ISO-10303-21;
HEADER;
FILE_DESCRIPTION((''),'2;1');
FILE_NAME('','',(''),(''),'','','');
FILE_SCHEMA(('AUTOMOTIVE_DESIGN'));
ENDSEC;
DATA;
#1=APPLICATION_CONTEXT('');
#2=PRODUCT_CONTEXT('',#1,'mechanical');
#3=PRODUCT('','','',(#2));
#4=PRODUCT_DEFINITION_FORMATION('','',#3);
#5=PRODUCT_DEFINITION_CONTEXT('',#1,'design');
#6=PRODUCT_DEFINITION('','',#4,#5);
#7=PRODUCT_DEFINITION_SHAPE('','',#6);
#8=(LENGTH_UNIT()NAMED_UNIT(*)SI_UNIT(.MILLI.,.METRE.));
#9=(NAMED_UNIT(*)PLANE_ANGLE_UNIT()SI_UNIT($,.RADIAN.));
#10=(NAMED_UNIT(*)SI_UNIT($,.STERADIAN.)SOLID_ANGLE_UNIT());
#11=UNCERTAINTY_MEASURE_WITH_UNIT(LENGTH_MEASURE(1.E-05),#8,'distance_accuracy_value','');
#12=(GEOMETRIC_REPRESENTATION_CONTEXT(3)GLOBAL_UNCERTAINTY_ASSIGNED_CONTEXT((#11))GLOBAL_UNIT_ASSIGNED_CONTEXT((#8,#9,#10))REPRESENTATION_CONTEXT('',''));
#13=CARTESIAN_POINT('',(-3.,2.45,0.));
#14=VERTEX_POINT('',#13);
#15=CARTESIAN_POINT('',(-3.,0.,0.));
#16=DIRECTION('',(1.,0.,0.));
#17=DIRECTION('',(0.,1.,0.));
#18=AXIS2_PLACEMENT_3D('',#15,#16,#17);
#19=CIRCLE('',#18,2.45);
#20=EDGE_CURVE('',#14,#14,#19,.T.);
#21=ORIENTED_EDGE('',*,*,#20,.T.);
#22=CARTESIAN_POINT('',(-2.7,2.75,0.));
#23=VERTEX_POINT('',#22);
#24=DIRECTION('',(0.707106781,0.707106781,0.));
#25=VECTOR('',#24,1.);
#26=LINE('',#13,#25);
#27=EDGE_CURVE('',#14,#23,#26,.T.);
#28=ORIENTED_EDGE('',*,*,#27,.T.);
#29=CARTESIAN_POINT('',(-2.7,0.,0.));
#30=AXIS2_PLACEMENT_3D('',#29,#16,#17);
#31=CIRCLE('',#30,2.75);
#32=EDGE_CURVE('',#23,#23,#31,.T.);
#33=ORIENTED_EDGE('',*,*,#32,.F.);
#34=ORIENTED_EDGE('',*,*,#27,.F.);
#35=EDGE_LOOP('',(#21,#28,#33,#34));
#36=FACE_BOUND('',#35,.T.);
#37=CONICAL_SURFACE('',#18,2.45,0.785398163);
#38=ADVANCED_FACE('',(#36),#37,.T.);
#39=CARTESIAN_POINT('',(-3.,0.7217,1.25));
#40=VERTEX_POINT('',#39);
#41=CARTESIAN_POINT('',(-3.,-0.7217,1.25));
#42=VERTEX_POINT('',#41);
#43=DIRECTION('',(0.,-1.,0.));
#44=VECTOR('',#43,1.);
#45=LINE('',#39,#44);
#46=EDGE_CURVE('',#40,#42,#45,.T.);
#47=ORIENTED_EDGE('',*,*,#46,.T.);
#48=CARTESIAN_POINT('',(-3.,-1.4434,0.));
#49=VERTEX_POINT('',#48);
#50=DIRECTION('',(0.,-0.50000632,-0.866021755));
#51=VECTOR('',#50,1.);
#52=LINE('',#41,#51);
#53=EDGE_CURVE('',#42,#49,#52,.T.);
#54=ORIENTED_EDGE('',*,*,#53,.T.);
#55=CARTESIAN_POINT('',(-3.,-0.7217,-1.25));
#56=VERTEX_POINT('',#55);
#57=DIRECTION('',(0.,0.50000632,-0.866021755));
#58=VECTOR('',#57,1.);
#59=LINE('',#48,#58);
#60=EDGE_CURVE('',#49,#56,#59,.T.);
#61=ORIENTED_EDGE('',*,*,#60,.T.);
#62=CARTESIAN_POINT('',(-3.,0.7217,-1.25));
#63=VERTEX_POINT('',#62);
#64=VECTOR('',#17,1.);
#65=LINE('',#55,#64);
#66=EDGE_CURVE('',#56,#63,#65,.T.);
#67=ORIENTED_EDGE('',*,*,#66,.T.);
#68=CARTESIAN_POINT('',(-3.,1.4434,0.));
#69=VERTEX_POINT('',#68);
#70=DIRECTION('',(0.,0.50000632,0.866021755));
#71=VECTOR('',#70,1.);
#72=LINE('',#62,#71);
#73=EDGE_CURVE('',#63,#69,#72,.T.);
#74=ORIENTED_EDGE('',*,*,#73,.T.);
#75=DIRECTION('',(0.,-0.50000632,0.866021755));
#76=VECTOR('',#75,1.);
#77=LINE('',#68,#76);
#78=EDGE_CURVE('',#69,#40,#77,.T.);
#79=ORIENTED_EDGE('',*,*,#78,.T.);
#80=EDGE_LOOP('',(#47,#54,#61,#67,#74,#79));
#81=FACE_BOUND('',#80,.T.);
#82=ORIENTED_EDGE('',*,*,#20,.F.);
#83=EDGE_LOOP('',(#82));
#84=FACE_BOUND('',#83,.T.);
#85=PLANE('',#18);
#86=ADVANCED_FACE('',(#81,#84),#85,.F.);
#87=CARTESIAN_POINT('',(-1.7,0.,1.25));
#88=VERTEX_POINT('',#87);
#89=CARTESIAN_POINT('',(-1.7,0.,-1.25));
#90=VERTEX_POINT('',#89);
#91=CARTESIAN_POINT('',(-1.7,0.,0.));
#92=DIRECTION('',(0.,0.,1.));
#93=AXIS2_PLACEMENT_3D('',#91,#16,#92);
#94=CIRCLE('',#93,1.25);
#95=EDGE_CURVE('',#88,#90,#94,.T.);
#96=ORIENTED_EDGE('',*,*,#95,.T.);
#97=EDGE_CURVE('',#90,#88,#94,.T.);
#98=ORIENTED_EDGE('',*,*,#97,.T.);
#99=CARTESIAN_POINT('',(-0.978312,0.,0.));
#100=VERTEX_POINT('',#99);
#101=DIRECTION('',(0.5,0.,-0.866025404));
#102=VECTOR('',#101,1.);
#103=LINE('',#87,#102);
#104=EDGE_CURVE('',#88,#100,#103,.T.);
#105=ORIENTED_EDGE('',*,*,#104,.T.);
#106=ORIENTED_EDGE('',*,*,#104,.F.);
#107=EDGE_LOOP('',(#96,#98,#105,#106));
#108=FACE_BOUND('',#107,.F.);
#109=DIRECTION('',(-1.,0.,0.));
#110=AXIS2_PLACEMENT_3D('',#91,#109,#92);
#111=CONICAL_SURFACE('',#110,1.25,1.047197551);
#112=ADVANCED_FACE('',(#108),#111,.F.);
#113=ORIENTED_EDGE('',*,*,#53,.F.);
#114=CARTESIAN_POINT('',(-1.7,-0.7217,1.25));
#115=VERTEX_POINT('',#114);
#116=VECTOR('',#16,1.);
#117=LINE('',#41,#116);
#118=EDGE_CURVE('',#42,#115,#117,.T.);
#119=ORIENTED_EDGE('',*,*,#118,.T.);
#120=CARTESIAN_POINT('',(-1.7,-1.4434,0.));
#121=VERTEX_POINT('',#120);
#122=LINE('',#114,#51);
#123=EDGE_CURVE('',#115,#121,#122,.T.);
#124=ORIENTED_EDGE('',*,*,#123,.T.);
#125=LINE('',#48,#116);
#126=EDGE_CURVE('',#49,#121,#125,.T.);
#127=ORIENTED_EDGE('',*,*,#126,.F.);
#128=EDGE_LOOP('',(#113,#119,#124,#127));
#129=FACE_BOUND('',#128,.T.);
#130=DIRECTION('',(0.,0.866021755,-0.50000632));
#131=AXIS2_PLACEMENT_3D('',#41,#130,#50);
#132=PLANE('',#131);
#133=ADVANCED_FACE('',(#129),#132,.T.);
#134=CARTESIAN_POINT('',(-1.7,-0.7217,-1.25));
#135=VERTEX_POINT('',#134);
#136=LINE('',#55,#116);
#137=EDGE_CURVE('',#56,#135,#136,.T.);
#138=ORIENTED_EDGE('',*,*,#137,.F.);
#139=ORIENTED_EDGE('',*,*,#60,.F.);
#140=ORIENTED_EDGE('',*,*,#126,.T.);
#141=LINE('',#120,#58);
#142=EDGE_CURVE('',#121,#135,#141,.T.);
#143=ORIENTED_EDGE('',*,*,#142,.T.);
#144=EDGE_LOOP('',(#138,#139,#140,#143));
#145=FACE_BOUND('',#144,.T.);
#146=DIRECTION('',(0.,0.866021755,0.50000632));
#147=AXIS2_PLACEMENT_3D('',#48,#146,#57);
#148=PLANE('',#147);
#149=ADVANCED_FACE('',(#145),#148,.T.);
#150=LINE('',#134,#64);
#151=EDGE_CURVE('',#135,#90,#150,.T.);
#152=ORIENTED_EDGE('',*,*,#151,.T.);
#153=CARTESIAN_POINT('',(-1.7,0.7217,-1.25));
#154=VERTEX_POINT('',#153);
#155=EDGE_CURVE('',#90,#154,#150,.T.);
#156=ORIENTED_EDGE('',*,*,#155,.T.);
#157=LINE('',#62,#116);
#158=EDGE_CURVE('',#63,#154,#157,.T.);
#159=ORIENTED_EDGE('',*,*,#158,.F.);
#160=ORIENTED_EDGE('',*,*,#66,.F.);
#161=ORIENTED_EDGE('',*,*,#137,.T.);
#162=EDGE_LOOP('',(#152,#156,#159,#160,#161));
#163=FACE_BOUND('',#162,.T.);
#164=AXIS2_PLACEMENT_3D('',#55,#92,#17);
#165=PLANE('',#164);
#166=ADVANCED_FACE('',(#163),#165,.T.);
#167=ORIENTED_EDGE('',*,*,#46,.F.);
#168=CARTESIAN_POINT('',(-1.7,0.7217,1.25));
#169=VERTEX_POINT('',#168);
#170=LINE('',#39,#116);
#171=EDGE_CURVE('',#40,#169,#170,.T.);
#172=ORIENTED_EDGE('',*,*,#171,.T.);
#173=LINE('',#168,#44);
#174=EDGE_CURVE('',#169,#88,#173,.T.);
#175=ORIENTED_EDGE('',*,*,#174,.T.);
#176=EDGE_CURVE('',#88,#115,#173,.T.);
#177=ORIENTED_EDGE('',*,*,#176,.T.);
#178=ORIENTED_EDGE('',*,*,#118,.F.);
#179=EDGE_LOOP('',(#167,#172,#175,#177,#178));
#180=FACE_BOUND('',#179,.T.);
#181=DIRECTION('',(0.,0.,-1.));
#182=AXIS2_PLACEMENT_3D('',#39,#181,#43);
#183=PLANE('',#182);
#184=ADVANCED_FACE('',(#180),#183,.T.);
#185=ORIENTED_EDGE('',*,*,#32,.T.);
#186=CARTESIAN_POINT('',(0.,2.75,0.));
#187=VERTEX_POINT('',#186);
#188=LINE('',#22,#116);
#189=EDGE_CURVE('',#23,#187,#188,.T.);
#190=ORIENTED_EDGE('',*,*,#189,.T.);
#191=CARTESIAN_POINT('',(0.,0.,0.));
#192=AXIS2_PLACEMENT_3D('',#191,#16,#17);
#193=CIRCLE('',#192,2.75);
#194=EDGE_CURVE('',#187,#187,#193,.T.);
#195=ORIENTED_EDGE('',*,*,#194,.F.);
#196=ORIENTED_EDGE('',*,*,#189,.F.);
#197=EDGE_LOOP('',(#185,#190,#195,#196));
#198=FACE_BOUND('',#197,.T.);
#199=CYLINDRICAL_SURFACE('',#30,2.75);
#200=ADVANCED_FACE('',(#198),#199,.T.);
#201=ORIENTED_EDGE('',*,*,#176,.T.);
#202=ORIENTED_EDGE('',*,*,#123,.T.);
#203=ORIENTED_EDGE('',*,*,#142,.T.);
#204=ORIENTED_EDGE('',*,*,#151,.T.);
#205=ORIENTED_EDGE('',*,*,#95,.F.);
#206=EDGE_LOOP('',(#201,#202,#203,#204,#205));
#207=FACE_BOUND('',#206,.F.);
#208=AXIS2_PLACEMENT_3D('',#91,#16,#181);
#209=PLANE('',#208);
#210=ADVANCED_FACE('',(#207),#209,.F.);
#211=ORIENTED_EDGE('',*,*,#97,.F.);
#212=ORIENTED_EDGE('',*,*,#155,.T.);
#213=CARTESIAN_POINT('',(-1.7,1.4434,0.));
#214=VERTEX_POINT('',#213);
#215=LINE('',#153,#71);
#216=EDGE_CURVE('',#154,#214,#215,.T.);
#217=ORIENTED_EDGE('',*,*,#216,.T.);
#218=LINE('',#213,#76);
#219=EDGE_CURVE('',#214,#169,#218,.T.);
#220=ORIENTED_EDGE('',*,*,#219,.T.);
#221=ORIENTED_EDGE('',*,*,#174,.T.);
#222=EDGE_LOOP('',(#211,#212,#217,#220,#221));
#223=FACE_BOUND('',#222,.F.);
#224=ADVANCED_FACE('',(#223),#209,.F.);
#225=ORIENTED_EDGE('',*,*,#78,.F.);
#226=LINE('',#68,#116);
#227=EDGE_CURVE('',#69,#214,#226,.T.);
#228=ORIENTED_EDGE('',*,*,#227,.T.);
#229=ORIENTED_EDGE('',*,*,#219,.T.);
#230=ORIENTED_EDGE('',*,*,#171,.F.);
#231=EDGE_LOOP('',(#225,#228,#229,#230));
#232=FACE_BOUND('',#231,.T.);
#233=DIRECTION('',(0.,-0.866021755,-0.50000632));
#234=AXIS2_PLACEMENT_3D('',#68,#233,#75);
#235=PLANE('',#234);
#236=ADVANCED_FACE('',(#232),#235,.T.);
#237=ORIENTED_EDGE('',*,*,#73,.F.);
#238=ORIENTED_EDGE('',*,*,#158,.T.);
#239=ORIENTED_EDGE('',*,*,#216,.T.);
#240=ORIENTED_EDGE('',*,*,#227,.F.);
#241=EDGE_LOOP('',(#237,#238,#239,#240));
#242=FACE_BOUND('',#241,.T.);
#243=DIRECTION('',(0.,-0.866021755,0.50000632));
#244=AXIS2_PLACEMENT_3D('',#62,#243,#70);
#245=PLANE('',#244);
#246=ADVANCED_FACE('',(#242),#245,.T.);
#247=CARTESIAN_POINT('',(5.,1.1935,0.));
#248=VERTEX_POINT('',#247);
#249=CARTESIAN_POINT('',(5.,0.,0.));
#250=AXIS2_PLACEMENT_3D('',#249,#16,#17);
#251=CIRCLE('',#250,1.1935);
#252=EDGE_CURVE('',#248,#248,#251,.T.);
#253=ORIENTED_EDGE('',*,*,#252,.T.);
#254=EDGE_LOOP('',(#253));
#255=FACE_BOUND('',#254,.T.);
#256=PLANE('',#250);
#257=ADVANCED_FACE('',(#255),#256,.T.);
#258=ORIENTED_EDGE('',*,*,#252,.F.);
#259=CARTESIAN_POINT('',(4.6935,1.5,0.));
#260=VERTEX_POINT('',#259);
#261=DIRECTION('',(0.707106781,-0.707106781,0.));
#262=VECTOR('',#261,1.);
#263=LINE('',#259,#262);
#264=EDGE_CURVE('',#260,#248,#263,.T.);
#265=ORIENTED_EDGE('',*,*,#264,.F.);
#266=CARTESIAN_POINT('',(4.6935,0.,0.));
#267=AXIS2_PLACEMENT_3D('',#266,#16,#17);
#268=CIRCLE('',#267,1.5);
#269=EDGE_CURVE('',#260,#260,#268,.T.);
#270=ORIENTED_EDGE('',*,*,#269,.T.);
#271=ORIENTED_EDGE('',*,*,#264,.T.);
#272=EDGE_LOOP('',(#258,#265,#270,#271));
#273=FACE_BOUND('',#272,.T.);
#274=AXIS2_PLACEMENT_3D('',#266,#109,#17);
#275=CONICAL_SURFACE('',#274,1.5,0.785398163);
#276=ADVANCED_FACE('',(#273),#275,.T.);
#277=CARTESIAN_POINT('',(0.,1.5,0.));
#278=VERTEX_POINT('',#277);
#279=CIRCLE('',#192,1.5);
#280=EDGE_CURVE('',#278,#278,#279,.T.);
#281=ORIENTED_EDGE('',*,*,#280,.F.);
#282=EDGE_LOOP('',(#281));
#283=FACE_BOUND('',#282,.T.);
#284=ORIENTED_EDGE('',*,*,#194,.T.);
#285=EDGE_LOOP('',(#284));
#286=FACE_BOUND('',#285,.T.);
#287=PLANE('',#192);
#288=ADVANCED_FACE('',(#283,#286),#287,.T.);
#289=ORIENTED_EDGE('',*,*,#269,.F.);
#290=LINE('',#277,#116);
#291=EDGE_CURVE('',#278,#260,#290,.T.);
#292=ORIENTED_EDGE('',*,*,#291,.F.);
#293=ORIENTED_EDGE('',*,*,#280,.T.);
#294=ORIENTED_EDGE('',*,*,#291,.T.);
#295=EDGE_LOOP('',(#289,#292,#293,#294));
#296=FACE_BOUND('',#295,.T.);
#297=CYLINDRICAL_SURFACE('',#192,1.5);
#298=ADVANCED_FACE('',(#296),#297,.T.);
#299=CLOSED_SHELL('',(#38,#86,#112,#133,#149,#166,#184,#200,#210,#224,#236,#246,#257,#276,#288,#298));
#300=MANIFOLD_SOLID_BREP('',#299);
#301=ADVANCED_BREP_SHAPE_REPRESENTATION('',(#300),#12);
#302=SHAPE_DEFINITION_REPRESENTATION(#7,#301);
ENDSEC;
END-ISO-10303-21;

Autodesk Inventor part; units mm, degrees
sketch "Sketch_1" plane through (0, 0, 0) normal (0, 0, 1) x (1, 0, 0)
  line L0 (5, 0) -> (-3, 0)
  line L1 (-3, 0) -> (-3, 2.45)
  line L2 (-3, 2.45) -> (-2.7, 2.75)
  line L3 (-2.7, 2.75) -> (0, 2.75)
  line L4 (0, 2.75) -> (0, 1.5)
  line L5 (0, 1.5) -> (4.6935, 1.5)
  line L6 (4.6935, 1.5) -> (5, 1.1935)
  line L7 (5, 1.1935) -> (5, 0)
  line L8 (5, 0) -> (-3, 0)
revolve "Revolution1" add sketch "Sketch_1" angle 360 about axis through (5, 0, 0) along (1, 0, 0)
thread "Thread1" size "M3x0.5" class "6g" standard "ISO Metric profile" length 4.1935
sketch "Sketch2" plane through (-3, 0, 0) normal (-1, 0, 0) x (0, 0, 1)
  point P0 (0, 0)
hole "Hole1" at (-3, 0, 0) direction (1, 0, 0) diameter 2.5 depth 1.3 tip angle 120
sketch "Sketch_3" plane through (-3, 0, 0) normal (1, 0, 0) x (0, 0, -1)
  line L0 (-1.25, -0.7217) -> (0, -1.4434)
  line L1 (0, -1.4434) -> (1.25, -0.7217)
  line L2 (1.25, -0.7217) -> (1.25, 0.7217)
  line L3 (1.25, 0.7217) -> (0, 1.4434)
  line L4 (0, 1.4434) -> (-1.25, 0.7217)
  line L5 (-1.25, 0.7217) -> (-1.25, -0.7217)
extrude "Extrusion1" cut sketch "Sketch_3" along normal blind 1.3
ref_plane "bolt_XY" through (5, 0, 0) normal (1, 0, 0) x (0, 0, -1)
ref_plane "bolt_YZ" through (5, 0, 0) normal (0, 0, -1) x (0, 1, 0)
ref_plane "bolt_ZX" through (5, 0, 0) normal (0, 1, 0) x (1, 0, 0)
ref_plane "nut_XY" through (0, 0, 0) normal (1, 0, 0) x (0, 0, -1)
ref_plane "nut_YZ" through (0, 0, 0) normal (0, 0, -1) x (0, 1, 0)
ref_plane "nut_ZX" through (0, 0, 0) normal (0, 1, 0) x (1, 0, 0)
properties part number "CBE3-5"
